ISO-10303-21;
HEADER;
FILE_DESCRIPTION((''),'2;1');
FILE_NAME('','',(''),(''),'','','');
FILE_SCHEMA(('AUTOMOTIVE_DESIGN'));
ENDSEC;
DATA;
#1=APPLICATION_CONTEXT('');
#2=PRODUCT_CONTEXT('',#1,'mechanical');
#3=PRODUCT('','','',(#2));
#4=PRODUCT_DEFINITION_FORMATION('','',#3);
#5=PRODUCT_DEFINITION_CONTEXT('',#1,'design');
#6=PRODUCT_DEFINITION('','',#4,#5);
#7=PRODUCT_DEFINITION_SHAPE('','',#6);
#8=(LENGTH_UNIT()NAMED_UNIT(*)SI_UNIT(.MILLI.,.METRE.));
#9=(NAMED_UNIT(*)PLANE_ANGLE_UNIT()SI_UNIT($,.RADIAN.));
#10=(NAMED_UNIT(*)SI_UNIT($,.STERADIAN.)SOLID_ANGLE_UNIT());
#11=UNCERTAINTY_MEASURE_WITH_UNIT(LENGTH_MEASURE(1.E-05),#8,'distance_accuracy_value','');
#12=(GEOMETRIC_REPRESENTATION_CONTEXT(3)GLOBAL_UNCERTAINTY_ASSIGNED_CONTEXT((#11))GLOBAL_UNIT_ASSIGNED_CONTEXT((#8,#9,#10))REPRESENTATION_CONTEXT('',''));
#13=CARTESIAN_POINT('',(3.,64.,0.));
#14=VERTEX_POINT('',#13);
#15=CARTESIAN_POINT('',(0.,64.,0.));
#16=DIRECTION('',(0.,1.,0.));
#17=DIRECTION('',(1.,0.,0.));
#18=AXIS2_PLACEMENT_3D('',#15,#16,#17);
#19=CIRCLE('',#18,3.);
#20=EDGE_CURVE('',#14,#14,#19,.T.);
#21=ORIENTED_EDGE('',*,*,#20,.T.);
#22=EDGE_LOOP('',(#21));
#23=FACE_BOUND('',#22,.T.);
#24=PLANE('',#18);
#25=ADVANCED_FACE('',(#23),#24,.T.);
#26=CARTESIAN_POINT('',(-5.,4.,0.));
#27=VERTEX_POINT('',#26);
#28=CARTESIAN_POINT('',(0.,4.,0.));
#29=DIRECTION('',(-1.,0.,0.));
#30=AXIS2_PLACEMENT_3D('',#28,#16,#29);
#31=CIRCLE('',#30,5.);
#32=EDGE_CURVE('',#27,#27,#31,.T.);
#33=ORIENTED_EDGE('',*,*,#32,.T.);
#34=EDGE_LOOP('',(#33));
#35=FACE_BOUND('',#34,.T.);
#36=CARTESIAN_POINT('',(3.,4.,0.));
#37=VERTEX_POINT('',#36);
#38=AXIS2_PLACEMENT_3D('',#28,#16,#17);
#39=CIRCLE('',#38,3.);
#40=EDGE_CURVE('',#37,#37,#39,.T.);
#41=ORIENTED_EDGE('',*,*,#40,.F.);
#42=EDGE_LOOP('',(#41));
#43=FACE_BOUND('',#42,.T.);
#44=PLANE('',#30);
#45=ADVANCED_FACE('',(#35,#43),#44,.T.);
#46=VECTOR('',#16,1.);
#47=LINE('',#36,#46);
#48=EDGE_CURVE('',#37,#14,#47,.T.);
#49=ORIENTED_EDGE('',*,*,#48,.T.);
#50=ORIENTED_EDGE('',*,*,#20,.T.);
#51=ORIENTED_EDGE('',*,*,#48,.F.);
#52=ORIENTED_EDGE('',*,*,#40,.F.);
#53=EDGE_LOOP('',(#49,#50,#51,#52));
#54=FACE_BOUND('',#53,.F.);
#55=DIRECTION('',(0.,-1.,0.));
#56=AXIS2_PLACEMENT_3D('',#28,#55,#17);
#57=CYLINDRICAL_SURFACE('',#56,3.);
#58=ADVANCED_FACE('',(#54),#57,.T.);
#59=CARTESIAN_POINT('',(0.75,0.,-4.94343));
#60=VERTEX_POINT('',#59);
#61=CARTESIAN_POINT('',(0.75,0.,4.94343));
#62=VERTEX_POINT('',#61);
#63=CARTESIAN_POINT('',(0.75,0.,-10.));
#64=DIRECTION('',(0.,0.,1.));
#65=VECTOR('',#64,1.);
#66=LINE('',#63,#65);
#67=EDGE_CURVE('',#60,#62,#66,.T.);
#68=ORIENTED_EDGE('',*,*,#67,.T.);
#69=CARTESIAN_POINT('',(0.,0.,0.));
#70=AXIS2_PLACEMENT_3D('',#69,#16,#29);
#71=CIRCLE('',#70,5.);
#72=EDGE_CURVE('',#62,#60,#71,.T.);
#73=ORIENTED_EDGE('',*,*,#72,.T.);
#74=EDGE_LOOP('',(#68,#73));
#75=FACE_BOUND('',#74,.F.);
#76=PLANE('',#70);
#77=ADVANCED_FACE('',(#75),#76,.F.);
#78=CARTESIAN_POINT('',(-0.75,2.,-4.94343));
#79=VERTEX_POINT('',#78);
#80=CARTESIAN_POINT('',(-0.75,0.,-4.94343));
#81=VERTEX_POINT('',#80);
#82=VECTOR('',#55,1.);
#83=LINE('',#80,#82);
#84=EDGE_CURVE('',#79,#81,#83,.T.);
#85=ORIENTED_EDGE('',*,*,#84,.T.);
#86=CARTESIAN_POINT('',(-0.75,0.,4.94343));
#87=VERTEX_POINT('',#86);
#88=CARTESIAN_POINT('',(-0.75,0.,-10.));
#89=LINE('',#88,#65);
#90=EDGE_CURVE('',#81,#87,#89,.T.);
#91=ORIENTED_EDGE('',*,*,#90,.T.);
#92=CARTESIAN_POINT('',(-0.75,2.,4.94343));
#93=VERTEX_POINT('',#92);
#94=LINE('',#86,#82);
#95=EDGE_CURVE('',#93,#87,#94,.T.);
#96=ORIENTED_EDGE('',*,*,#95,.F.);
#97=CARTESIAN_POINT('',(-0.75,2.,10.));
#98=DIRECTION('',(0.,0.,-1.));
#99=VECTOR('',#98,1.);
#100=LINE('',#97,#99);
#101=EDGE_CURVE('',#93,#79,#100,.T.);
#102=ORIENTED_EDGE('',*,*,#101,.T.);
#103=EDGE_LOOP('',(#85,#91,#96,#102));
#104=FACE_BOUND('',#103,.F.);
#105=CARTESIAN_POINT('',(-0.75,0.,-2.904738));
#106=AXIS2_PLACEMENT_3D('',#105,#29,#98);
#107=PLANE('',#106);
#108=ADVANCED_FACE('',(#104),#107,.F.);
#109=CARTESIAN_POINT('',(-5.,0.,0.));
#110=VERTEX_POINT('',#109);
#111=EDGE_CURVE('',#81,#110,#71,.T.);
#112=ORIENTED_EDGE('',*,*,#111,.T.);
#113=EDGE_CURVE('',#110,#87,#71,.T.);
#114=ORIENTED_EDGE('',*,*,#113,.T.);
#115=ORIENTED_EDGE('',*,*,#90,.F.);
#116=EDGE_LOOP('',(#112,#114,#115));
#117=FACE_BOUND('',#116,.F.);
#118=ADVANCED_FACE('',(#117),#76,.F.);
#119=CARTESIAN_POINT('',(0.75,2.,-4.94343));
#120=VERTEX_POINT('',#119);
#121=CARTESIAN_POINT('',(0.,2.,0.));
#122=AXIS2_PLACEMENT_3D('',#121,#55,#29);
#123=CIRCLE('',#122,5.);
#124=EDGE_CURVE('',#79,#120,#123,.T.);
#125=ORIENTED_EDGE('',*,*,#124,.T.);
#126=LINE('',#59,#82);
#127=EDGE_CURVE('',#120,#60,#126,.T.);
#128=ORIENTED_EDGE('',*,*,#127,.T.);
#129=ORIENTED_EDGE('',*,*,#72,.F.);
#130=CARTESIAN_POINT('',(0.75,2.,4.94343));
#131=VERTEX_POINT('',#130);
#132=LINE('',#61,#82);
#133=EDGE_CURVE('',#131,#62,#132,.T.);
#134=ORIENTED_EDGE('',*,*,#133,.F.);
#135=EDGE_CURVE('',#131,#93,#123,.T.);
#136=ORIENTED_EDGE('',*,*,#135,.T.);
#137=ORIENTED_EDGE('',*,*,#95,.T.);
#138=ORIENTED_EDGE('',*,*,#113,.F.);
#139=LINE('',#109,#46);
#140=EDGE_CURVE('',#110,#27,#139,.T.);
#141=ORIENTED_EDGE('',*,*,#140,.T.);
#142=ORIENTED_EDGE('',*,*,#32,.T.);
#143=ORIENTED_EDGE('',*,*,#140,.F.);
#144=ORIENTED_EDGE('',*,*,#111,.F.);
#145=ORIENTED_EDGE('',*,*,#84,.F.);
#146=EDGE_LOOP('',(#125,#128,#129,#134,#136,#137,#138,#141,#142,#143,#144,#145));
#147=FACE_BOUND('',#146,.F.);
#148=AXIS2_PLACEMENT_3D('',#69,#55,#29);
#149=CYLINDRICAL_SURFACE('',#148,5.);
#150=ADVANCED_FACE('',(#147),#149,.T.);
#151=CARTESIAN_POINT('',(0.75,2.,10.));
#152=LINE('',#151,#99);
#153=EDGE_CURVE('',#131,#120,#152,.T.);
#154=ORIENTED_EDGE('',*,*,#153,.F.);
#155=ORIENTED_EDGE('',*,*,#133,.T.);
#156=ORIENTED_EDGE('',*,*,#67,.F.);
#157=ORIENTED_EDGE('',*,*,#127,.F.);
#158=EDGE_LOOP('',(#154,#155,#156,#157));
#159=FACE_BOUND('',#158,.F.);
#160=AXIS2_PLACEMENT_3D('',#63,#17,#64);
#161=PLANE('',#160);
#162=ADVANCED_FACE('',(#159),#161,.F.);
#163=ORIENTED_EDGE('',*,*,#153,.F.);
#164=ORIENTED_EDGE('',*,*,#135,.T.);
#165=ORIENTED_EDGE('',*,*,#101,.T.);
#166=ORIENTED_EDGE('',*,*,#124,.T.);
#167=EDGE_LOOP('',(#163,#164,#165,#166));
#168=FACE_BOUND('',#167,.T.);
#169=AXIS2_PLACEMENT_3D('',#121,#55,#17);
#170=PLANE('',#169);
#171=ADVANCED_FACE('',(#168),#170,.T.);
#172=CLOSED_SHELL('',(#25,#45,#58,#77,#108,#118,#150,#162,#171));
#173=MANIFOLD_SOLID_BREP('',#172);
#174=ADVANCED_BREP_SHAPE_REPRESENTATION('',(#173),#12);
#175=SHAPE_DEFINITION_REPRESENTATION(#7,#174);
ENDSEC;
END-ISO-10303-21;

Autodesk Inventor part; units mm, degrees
ref_plane "YZ Plane" through (0, 0, 0) normal (1, 0, 0) x (0, 1, 0)
ref_plane "XZ Plane" through (0, 0, 0) normal (0, 1, 0) x (-1, 0, 0)
ref_plane "XY Plane" through (0, 0, 0) normal (0, 0, 1) x (1, 0, 0)
sketch "Sketch1" plane through (0, 0, 0) normal (0, 1, 0) x (-1, 0, 0)
  circle A0 centre (0, 0) radius 5
  dimension "d0" = 10
extrude "Extrusion1" add sketch "Sketch1" along normal blind 4
sketch "Sketch2" plane through (0, 4, 0) normal (0, 1, 0) x (1, 0, 0)
  circle A0 centre (0, 0) radius 3
  dimension "d3" = 6
extrude "Extrusion2" add sketch "Sketch2" along normal blind 60
thread "Thread1" size "M6x1" class "6g" standard "ANSI Metric M Profile" full length
sketch "Sketch3" plane through (0, 0, 0) normal (0, -1, 0) x (1, 0, 0)
  line L0 (-0.75, -10) -> (0.75, -10)
  line L1 (0.75, -10) -> (0.75, 10)
  line L2 (0.75, 10) -> (-0.75, 10)
  line L3 (-0.75, 10) -> (-0.75, -10)
  circle A0 centre (0, 0) radius 3 projected
  line L4 (-0.75, -10) -> (0.75, 10) construction
  line L5 (0.75, -10) -> (-0.75, 10) construction
  dimension "d8" = 1.5
  dimension "d9" = 20
extrude "Extrusion3" cut sketch "Sketch3" against normal blind 2 contours L3 A0 L1 L0 | L3 A0 L1 | L3 L2 L1 A0
properties part number "vijs"
